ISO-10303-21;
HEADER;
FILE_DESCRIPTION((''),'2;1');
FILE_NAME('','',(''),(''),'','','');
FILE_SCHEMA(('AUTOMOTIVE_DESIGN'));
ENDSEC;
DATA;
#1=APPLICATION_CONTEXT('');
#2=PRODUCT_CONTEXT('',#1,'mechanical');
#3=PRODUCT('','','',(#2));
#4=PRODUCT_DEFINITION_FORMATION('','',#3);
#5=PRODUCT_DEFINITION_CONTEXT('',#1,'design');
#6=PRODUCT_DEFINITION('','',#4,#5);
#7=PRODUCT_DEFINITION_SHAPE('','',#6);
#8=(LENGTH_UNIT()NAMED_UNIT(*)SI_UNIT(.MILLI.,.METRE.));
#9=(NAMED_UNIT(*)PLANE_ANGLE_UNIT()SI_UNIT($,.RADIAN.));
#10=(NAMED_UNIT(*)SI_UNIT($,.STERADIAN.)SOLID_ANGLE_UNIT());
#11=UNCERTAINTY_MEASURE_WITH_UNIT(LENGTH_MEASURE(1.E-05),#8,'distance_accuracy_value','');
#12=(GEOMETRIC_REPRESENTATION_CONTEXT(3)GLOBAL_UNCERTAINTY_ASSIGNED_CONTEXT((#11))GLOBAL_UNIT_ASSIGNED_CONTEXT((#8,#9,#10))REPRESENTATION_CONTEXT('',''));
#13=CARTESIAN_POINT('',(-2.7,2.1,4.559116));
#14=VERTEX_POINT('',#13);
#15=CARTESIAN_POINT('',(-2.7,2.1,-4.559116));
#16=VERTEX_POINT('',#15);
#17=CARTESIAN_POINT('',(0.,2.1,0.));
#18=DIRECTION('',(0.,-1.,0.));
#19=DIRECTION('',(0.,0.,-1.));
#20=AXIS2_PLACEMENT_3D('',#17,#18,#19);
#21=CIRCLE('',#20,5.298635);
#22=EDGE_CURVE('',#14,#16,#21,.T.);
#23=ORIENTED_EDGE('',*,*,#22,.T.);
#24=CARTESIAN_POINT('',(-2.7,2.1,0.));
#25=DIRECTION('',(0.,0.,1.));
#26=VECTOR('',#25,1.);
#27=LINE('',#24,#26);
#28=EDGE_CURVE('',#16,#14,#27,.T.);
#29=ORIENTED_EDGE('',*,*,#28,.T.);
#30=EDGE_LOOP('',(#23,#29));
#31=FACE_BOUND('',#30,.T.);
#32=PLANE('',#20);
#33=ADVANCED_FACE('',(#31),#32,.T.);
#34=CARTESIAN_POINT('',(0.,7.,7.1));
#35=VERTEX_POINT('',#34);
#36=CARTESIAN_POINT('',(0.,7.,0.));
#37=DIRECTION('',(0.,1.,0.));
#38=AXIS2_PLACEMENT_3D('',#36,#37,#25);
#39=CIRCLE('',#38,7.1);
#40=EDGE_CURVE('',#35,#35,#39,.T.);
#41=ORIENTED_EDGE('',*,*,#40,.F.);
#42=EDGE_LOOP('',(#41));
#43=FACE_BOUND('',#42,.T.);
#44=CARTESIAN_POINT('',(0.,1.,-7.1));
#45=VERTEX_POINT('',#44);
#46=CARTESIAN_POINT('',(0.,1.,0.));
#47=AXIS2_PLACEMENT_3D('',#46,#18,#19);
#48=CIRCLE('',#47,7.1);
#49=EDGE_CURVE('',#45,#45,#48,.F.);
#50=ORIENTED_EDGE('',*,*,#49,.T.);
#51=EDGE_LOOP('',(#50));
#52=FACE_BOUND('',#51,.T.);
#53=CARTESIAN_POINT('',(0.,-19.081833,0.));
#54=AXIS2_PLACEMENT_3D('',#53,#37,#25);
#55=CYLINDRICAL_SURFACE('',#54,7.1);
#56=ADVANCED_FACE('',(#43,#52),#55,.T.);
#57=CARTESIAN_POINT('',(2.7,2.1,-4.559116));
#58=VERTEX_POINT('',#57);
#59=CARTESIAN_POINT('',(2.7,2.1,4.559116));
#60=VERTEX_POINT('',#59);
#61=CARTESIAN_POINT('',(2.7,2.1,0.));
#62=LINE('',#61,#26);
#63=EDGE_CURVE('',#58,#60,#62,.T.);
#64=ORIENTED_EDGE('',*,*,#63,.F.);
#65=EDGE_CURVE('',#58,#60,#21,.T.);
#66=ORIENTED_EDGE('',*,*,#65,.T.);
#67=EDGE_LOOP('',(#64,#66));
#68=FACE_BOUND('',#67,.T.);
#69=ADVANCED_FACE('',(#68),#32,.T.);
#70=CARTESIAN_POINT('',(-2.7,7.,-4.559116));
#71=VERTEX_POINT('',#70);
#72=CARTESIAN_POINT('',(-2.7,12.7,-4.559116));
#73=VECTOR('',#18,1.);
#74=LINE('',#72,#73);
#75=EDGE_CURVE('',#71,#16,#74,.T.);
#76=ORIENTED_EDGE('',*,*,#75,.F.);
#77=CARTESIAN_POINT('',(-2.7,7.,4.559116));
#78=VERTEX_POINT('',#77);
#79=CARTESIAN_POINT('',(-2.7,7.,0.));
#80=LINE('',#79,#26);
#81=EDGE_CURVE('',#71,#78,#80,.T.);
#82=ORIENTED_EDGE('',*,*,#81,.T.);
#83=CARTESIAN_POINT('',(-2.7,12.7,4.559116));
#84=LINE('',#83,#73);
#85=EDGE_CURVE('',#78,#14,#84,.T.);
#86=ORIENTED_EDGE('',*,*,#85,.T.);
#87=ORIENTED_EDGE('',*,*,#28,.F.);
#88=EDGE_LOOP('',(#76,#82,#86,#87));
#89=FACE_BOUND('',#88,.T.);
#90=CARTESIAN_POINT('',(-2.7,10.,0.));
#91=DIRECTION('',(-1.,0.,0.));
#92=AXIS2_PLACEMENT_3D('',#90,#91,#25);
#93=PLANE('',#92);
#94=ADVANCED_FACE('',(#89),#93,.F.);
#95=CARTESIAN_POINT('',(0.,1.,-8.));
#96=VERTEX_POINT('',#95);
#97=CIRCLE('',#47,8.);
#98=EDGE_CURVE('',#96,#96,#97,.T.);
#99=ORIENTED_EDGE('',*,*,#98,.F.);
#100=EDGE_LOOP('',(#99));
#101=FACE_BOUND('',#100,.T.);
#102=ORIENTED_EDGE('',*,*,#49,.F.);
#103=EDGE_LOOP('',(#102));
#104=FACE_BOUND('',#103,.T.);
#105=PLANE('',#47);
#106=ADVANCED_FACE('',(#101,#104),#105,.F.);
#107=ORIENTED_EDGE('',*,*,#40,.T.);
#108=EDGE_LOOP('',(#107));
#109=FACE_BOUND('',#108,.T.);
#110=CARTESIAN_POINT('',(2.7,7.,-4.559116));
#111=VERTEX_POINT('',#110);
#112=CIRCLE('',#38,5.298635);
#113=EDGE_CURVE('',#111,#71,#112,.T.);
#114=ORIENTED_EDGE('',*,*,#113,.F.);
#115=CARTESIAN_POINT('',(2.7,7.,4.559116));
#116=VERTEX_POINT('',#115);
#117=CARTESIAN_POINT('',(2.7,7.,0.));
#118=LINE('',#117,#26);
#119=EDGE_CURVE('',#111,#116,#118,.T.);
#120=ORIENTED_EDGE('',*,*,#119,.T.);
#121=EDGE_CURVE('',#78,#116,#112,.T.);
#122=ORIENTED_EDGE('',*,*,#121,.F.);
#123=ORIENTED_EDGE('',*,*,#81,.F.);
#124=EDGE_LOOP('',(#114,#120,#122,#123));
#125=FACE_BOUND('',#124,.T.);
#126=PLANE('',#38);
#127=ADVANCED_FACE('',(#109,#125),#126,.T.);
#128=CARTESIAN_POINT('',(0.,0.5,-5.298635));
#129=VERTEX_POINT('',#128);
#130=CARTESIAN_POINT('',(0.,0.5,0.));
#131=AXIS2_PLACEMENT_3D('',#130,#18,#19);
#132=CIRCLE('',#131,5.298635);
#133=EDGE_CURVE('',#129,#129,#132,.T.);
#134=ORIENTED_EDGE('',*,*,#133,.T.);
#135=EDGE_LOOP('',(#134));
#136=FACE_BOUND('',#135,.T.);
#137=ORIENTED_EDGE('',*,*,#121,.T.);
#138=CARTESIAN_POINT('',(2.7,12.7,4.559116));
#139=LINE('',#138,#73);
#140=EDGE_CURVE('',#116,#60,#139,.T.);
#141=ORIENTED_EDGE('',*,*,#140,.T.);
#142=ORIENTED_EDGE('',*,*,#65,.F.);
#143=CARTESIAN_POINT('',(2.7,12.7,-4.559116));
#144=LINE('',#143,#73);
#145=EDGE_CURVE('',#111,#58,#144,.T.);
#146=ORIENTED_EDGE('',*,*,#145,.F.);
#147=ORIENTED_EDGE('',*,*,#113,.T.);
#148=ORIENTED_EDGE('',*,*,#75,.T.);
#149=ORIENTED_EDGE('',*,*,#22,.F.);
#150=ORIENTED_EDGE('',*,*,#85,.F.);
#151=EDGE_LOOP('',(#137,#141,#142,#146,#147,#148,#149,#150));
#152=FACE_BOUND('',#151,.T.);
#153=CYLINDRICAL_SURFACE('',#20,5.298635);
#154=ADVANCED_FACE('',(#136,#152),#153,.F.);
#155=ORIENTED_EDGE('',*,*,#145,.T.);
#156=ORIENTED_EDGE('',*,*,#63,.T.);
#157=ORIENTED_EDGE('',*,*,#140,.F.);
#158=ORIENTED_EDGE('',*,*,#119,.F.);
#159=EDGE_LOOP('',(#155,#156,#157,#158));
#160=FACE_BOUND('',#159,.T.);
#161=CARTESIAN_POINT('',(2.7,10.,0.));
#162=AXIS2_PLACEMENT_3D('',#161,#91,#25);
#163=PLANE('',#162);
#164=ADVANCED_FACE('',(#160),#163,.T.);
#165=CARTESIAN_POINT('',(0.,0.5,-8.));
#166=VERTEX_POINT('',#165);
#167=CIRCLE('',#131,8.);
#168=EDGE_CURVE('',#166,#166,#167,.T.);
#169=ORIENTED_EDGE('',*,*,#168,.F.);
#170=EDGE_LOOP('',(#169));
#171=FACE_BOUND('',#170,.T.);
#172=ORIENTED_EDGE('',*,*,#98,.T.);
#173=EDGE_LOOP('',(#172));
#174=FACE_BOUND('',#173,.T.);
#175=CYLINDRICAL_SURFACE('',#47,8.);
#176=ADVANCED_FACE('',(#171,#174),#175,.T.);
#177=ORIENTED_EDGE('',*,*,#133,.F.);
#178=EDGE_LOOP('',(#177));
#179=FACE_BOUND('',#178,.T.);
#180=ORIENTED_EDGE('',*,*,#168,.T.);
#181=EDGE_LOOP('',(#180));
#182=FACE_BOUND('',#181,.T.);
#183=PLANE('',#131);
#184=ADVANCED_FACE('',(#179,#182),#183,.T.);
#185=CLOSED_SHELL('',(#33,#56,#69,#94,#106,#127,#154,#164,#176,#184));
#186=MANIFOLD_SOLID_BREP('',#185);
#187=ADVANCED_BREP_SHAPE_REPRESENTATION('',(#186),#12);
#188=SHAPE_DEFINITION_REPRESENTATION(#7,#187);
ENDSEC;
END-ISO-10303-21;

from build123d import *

# Parameters (mm, degrees)
SKETCH1_R           = 7
BOSS_EXTRUDE1_DEPTH = 7
SKETCH2_R           = 2.7
CUT_EXTRUDE2_DEPTH  = 10
SKETCH3_R           = 8
SKETCH3_W           = 5.4
SKETCH3_H           = 8.674169728
BOSS_EXTRUDE2_DEPTH = 1
SKETCH4_R           = 8
CUT_EXTRUDE3_DEPTH  = 0.5
SKETCH5_R           = 7.1
SKETCH5_W           = 5.4
SKETCH5_H           = 8.674169728
BOSS_EXTRUDE3_DEPTH = 6
SKETCH6_R           = 5.108845772
CUT_EXTRUDE4_DEPTH  = 1.1
CUT_EXTRUDE5_DEPTH  = 10.1
SKETCH9_R           = 5.298635414
CUT_EXTRUDE6_DEPTH  = 1.6
CUT_EXTRUDE7_DEPTH  = 10.6


with BuildPart() as part:
    # Sketch1 → Boss-Extrude1 (new body)
    with BuildSketch(Plane(origin=(0, 0, 0), x_dir=(1, 0, 0), z_dir=(0, 1, 0))):
        with Locations(Location((0, 0, 0), (0, 0, 270))):
            Circle(SKETCH1_R)
    extrude(amount=BOSS_EXTRUDE1_DEPTH)

    # Sketch2 → Cut-Extrude2 (cut)
    with BuildSketch(Plane.XZ):
        with BuildLine():
            Line((2.7, 4.337084864), (-2.7, 4.337084864))
            Line((-2.7, 4.337084864), (-2.7, 0))
            ThreePointArc((-2.7, 0), (0, 2.7), (2.7, 0))
            Line((2.7, 0), (2.7, 4.337084864))
        make_face()
        with BuildLine():
            ThreePointArc((2.7, 0), (0, -2.7), (-2.7, 0))
            Line((-2.7, 0), (-2.7, -4.337084864))
            Line((-2.7, -4.337084864), (2.7, -4.337084864))
            Line((2.7, -4.337084864), (2.7, 0))
        make_face()
        Circle(SKETCH2_R)
    extrude(amount=-CUT_EXTRUDE2_DEPTH, mode=Mode.SUBTRACT)

    # Sketch3 → Boss-Extrude2 (add)
    with BuildSketch(Plane.XZ):
        with Locations(Location((0, 0, 0), (0, 0, 270))):
            Circle(SKETCH3_R)
        Rectangle(SKETCH3_W, SKETCH3_H, mode=Mode.SUBTRACT)
    extrude(amount=-BOSS_EXTRUDE2_DEPTH)

    # Sketch4 → Cut-Extrude3 (cut)
    with BuildSketch(Plane.XZ):
        with Locations(Location((0, 0, 0), (0, 0, 270))):
            Circle(SKETCH4_R)
    extrude(amount=-CUT_EXTRUDE3_DEPTH, mode=Mode.SUBTRACT)

    # Sketch5 → Boss-Extrude3 (add)
    with BuildSketch(Plane(origin=(0, 7, 0), x_dir=(1, 0, 0), z_dir=(0, 1, 0))):
        with Locations(Location((0, 0, 0), (0, 0, 270))):
            Circle(SKETCH5_R)
        Rectangle(SKETCH5_W, SKETCH5_H, mode=Mode.SUBTRACT)
    extrude(amount=-BOSS_EXTRUDE3_DEPTH)

    # Sketch6 → Cut-Extrude4 (cut)
    with BuildSketch(Plane.XZ.offset(-0.5)):
        with Locations(Location((0, 0, 0), (0, 0, 270))):
            Circle(SKETCH6_R)
    extrude(amount=-CUT_EXTRUDE4_DEPTH, mode=Mode.SUBTRACT)

    # Sketch8 → Cut-Extrude5 (cut)
    with BuildSketch(Plane.XZ.offset(-1.6)):
        with BuildLine():
            Line((-2.7, 4.337084864), (2.7, 4.337084864))
            ThreePointArc((2.7, 4.337084864), (0, 5.108845772), (-2.7, 4.337084864))
        make_face()
        with BuildLine():
            Line((2.7, -4.337084864), (-2.7, -4.337084864))
            ThreePointArc((-2.7, -4.337084864), (0, -5.108845772), (2.7, -4.337084864))
        make_face()
    extrude(amount=-CUT_EXTRUDE5_DEPTH, mode=Mode.SUBTRACT)

    # Sketch9 → Cut-Extrude6 (cut)
    with BuildSketch(Plane.XZ.offset(-0.5)):
        with Locations(Location((0, 0, 0), (0, 0, 270))):
            Circle(SKETCH9_R)
    extrude(amount=-CUT_EXTRUDE6_DEPTH, mode=Mode.SUBTRACT)

    # Sketch10 → Cut-Extrude7 (cut)
    with BuildSketch(Plane.XZ.offset(-2.1)):
        with BuildLine():
            Line((-2.7, -4.337084864), (-2.7, -4.55911584))
            ThreePointArc((-2.7, -4.55911584), (0, -5.298635414), (2.7, -4.55911584))
            Line((2.7, -4.55911584), (2.7, -4.337084864))
            ThreePointArc((2.7, -4.337084864), (0, -5.108845772), (-2.7, -4.337084864))
        make_face()
        with BuildLine():
            Line((-2.7, 4.55911584), (-2.7, 4.337084864))
            ThreePointArc((-2.7, 4.337084864), (0, 5.108845772), (2.7, 4.337084864))
            Line((2.7, 4.337084864), (2.7, 4.55911584))
            ThreePointArc((2.7, 4.55911584), (0, 5.298635414), (-2.7, 4.55911584))
        make_face()
    extrude(amount=-CUT_EXTRUDE7_DEPTH, mode=Mode.SUBTRACT)


solid = part.part
